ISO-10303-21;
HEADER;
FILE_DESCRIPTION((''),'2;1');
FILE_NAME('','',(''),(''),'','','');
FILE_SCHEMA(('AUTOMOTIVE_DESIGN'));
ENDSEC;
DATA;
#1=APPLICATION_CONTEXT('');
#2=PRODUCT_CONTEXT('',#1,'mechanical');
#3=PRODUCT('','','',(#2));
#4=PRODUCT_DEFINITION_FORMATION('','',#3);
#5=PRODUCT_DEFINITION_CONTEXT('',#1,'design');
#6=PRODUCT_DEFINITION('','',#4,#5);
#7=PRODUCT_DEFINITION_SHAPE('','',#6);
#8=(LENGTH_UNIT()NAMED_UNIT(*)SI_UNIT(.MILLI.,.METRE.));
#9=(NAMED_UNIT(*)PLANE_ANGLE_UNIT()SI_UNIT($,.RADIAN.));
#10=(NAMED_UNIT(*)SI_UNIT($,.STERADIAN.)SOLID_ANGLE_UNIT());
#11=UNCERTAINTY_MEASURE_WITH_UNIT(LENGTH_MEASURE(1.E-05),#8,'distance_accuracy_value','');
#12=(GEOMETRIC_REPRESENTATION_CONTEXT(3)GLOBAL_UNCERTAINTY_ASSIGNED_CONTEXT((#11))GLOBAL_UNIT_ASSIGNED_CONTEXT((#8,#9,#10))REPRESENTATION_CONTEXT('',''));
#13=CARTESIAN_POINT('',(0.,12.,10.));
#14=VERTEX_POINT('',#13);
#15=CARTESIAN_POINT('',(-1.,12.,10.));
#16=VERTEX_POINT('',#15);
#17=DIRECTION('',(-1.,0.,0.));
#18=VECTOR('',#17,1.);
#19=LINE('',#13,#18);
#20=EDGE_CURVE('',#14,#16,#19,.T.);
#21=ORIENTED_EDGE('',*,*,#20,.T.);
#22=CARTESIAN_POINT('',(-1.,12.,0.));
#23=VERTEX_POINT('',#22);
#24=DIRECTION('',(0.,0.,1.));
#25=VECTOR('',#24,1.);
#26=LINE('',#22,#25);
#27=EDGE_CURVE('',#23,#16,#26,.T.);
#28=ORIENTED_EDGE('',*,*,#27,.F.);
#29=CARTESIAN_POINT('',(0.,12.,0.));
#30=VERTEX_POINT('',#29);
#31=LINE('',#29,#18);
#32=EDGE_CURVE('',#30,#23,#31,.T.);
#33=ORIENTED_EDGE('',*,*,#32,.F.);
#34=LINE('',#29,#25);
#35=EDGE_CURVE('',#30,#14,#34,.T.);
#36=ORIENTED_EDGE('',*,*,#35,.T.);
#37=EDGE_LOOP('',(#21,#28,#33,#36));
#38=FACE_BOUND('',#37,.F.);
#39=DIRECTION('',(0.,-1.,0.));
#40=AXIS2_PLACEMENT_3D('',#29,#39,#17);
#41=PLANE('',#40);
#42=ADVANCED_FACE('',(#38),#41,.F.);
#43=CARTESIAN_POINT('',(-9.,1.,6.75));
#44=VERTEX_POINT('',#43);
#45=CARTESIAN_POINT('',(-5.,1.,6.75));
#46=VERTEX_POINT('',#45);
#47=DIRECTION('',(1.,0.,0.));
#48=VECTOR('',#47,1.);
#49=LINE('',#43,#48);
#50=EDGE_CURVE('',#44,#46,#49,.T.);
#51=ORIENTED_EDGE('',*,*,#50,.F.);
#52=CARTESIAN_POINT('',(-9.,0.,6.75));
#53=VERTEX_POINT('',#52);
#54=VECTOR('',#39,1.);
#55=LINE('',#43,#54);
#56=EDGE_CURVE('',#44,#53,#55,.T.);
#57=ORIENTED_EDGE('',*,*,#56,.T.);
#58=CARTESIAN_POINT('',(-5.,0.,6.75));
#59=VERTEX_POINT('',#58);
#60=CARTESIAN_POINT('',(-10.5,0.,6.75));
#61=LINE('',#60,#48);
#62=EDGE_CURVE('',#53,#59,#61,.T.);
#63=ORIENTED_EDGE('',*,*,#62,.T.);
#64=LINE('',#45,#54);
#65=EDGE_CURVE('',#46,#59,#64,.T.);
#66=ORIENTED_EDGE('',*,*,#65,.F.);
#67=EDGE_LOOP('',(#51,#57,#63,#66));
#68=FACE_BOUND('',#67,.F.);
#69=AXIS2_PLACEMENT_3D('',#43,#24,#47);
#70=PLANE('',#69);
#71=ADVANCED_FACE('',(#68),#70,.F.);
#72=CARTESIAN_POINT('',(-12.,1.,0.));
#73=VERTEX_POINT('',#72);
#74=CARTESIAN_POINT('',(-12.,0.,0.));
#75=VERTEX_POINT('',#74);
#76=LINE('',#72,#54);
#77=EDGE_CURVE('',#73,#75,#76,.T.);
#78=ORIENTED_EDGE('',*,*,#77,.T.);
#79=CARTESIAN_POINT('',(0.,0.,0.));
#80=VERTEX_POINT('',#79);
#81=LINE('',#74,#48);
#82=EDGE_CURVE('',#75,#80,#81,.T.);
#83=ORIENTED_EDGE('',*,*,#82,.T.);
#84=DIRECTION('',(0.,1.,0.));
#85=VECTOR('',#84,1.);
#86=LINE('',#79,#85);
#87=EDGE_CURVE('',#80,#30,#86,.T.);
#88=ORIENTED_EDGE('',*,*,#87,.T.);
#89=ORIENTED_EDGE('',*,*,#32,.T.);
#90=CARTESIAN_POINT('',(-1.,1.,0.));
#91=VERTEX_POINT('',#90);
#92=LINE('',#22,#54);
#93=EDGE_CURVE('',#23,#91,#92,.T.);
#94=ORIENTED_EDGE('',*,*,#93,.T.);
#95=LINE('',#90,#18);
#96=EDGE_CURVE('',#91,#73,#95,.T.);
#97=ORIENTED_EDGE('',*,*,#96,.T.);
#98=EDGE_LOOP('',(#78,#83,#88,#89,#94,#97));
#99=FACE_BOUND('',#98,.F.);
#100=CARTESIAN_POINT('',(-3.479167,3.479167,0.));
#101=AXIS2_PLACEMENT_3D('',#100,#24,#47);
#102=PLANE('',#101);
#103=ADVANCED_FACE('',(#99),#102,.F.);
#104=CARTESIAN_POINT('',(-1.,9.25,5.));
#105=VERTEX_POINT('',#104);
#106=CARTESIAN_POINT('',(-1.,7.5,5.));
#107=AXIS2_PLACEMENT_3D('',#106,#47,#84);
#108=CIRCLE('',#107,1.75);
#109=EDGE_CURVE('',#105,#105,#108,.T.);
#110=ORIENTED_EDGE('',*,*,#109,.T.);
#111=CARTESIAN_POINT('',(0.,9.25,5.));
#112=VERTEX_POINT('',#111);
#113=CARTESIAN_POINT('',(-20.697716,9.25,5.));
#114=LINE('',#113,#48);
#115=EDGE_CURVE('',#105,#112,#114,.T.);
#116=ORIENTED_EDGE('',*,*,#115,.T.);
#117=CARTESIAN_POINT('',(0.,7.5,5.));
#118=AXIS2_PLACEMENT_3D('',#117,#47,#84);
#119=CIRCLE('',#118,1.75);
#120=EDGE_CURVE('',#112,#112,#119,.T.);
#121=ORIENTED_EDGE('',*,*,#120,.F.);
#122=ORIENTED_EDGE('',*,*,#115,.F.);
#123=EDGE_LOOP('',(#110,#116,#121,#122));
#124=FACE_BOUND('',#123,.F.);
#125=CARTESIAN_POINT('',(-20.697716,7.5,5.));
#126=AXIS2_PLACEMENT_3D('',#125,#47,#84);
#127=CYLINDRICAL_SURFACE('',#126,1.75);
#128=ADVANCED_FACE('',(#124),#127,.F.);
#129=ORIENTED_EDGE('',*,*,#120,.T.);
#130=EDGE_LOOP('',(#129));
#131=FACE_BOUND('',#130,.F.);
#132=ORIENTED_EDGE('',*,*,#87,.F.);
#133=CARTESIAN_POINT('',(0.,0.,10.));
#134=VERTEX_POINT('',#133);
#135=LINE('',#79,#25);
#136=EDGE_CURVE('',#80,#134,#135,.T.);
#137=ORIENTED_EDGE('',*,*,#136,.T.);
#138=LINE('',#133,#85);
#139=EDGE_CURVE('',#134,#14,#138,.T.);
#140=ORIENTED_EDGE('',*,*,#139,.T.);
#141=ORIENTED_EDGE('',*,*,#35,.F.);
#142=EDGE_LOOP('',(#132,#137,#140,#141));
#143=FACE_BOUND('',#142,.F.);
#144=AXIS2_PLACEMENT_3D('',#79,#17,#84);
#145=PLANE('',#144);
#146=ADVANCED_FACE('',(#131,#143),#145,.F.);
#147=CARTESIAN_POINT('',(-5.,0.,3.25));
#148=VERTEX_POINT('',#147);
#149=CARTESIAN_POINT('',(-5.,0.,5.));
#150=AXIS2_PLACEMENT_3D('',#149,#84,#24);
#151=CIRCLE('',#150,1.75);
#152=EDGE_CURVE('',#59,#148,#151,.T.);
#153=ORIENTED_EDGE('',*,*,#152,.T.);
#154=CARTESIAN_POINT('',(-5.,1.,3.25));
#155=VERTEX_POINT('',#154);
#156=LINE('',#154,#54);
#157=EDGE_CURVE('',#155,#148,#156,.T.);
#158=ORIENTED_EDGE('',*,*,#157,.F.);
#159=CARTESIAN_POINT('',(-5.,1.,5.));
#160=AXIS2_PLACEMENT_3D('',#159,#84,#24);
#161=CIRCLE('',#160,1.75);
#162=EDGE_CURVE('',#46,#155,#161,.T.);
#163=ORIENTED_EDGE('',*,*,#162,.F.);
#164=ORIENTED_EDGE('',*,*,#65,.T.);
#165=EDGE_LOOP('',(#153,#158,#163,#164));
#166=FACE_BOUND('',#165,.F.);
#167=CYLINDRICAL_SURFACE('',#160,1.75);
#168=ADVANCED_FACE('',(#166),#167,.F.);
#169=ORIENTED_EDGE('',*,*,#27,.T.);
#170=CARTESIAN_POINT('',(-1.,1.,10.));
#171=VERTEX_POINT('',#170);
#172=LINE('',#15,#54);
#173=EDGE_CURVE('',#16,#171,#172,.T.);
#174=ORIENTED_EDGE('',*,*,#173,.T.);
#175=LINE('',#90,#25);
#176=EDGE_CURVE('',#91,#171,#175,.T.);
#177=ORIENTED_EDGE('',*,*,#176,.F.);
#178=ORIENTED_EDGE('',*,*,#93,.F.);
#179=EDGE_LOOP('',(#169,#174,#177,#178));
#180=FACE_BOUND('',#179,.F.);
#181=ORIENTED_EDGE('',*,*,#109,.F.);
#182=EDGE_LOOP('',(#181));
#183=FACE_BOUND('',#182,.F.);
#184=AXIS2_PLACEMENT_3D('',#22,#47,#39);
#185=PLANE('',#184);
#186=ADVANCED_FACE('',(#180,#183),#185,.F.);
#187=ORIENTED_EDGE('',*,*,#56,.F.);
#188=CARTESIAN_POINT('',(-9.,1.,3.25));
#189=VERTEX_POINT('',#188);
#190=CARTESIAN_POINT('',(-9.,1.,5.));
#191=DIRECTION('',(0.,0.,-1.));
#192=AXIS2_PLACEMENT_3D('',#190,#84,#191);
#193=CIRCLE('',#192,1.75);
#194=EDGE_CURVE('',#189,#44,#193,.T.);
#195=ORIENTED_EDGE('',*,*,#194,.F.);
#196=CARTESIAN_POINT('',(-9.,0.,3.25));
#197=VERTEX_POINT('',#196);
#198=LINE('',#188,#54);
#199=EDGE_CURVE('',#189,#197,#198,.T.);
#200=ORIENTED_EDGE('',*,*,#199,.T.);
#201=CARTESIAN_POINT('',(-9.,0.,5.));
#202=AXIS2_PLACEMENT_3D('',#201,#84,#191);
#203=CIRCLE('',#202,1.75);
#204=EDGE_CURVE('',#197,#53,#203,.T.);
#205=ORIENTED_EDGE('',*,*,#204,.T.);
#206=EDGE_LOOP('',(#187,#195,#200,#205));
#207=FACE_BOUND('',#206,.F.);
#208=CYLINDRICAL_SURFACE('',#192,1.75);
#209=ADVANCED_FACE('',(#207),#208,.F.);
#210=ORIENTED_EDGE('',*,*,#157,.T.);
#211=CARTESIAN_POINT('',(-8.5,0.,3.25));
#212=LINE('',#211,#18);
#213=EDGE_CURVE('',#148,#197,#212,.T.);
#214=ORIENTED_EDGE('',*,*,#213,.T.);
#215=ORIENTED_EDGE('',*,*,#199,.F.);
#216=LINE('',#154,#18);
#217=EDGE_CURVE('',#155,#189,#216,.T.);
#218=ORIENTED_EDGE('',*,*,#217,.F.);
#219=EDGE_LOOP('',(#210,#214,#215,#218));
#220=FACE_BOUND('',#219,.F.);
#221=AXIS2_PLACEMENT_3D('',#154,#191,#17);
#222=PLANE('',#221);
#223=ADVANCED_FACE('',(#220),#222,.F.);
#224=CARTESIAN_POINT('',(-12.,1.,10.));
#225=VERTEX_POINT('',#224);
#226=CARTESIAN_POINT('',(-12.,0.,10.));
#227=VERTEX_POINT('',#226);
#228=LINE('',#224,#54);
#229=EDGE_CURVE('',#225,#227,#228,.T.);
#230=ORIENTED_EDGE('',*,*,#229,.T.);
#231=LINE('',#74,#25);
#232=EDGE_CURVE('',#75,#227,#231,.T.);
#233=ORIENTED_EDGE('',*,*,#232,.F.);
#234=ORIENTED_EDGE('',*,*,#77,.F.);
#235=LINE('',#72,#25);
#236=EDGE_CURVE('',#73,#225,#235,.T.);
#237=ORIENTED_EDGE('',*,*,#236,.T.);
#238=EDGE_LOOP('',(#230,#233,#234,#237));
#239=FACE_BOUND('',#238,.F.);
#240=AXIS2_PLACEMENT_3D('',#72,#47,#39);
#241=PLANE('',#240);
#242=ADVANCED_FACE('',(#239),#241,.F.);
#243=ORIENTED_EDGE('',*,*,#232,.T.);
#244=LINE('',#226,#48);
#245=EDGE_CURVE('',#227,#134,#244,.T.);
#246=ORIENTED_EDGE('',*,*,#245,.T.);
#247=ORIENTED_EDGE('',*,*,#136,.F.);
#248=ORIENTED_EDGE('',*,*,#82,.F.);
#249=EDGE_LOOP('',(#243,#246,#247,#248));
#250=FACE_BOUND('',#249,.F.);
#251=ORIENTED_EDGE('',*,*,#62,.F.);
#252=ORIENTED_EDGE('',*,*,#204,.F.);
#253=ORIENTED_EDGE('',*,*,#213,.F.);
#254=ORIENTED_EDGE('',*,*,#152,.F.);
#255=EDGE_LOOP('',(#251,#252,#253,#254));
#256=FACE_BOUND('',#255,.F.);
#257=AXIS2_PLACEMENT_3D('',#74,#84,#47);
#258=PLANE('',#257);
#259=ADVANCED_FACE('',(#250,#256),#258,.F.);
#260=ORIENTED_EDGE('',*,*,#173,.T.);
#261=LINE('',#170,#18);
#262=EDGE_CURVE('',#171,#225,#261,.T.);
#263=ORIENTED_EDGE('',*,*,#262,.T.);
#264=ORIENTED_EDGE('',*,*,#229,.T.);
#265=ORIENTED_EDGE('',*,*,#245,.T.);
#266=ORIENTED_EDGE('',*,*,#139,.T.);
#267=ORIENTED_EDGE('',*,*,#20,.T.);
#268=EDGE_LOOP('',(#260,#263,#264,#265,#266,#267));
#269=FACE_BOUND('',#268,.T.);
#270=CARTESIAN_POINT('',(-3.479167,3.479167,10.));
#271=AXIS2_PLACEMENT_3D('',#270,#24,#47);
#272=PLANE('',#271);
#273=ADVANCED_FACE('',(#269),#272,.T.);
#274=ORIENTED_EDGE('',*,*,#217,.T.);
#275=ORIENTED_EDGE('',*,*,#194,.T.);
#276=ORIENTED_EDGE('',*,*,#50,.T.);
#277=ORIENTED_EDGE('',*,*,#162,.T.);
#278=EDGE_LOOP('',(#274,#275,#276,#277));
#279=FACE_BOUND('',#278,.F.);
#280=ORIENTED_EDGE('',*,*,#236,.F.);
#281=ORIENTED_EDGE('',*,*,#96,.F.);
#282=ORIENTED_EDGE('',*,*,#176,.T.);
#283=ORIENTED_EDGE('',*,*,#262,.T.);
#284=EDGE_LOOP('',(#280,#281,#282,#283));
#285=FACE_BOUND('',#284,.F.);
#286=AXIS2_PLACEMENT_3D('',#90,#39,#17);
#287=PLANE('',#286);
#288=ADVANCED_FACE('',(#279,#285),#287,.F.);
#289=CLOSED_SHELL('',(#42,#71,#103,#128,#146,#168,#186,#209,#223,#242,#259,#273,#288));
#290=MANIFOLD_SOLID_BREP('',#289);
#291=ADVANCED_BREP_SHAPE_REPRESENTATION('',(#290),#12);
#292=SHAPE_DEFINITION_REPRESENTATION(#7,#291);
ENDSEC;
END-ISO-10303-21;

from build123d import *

# Parameters (mm, degrees)
F1_DEPTH = 10
F4_D     = 3.5
F5_DEPTH = 25


with BuildPart() as f1:
    # F0 (on Top) → F1 (new body)
    with BuildSketch(Plane.XY):
        Polygon((-12, 0), (0, 0), (0, 12), (-1, 12), (-1, 1), (-12, 1), align=None)
    extrude(amount=F1_DEPTH)

    # F4 (through all)
    with Locations(Plane(origin=(-1, 0, 0), x_dir=(0, -1, 0), z_dir=(-1, 0, 0))):
        with Locations((-7.5, 5)):
            Hole(F4_D / 2)

    # F2 (on face) → F5 (cut)
    with BuildSketch(Plane(origin=(0, 1, 0), x_dir=(-1, 0, 0), z_dir=(0, 1, 0))):
        with BuildLine():
            Line((9, 6.75), (5, 6.75))
            ThreePointArc((5, 6.75), (3.25, 5), (5, 3.25))
            Line((5, 3.25), (9, 3.25))
            ThreePointArc((9, 3.25), (10.75, 5), (9, 6.75))
        make_face()
    extrude(amount=-F5_DEPTH, mode=Mode.SUBTRACT)


solid = f1.part
